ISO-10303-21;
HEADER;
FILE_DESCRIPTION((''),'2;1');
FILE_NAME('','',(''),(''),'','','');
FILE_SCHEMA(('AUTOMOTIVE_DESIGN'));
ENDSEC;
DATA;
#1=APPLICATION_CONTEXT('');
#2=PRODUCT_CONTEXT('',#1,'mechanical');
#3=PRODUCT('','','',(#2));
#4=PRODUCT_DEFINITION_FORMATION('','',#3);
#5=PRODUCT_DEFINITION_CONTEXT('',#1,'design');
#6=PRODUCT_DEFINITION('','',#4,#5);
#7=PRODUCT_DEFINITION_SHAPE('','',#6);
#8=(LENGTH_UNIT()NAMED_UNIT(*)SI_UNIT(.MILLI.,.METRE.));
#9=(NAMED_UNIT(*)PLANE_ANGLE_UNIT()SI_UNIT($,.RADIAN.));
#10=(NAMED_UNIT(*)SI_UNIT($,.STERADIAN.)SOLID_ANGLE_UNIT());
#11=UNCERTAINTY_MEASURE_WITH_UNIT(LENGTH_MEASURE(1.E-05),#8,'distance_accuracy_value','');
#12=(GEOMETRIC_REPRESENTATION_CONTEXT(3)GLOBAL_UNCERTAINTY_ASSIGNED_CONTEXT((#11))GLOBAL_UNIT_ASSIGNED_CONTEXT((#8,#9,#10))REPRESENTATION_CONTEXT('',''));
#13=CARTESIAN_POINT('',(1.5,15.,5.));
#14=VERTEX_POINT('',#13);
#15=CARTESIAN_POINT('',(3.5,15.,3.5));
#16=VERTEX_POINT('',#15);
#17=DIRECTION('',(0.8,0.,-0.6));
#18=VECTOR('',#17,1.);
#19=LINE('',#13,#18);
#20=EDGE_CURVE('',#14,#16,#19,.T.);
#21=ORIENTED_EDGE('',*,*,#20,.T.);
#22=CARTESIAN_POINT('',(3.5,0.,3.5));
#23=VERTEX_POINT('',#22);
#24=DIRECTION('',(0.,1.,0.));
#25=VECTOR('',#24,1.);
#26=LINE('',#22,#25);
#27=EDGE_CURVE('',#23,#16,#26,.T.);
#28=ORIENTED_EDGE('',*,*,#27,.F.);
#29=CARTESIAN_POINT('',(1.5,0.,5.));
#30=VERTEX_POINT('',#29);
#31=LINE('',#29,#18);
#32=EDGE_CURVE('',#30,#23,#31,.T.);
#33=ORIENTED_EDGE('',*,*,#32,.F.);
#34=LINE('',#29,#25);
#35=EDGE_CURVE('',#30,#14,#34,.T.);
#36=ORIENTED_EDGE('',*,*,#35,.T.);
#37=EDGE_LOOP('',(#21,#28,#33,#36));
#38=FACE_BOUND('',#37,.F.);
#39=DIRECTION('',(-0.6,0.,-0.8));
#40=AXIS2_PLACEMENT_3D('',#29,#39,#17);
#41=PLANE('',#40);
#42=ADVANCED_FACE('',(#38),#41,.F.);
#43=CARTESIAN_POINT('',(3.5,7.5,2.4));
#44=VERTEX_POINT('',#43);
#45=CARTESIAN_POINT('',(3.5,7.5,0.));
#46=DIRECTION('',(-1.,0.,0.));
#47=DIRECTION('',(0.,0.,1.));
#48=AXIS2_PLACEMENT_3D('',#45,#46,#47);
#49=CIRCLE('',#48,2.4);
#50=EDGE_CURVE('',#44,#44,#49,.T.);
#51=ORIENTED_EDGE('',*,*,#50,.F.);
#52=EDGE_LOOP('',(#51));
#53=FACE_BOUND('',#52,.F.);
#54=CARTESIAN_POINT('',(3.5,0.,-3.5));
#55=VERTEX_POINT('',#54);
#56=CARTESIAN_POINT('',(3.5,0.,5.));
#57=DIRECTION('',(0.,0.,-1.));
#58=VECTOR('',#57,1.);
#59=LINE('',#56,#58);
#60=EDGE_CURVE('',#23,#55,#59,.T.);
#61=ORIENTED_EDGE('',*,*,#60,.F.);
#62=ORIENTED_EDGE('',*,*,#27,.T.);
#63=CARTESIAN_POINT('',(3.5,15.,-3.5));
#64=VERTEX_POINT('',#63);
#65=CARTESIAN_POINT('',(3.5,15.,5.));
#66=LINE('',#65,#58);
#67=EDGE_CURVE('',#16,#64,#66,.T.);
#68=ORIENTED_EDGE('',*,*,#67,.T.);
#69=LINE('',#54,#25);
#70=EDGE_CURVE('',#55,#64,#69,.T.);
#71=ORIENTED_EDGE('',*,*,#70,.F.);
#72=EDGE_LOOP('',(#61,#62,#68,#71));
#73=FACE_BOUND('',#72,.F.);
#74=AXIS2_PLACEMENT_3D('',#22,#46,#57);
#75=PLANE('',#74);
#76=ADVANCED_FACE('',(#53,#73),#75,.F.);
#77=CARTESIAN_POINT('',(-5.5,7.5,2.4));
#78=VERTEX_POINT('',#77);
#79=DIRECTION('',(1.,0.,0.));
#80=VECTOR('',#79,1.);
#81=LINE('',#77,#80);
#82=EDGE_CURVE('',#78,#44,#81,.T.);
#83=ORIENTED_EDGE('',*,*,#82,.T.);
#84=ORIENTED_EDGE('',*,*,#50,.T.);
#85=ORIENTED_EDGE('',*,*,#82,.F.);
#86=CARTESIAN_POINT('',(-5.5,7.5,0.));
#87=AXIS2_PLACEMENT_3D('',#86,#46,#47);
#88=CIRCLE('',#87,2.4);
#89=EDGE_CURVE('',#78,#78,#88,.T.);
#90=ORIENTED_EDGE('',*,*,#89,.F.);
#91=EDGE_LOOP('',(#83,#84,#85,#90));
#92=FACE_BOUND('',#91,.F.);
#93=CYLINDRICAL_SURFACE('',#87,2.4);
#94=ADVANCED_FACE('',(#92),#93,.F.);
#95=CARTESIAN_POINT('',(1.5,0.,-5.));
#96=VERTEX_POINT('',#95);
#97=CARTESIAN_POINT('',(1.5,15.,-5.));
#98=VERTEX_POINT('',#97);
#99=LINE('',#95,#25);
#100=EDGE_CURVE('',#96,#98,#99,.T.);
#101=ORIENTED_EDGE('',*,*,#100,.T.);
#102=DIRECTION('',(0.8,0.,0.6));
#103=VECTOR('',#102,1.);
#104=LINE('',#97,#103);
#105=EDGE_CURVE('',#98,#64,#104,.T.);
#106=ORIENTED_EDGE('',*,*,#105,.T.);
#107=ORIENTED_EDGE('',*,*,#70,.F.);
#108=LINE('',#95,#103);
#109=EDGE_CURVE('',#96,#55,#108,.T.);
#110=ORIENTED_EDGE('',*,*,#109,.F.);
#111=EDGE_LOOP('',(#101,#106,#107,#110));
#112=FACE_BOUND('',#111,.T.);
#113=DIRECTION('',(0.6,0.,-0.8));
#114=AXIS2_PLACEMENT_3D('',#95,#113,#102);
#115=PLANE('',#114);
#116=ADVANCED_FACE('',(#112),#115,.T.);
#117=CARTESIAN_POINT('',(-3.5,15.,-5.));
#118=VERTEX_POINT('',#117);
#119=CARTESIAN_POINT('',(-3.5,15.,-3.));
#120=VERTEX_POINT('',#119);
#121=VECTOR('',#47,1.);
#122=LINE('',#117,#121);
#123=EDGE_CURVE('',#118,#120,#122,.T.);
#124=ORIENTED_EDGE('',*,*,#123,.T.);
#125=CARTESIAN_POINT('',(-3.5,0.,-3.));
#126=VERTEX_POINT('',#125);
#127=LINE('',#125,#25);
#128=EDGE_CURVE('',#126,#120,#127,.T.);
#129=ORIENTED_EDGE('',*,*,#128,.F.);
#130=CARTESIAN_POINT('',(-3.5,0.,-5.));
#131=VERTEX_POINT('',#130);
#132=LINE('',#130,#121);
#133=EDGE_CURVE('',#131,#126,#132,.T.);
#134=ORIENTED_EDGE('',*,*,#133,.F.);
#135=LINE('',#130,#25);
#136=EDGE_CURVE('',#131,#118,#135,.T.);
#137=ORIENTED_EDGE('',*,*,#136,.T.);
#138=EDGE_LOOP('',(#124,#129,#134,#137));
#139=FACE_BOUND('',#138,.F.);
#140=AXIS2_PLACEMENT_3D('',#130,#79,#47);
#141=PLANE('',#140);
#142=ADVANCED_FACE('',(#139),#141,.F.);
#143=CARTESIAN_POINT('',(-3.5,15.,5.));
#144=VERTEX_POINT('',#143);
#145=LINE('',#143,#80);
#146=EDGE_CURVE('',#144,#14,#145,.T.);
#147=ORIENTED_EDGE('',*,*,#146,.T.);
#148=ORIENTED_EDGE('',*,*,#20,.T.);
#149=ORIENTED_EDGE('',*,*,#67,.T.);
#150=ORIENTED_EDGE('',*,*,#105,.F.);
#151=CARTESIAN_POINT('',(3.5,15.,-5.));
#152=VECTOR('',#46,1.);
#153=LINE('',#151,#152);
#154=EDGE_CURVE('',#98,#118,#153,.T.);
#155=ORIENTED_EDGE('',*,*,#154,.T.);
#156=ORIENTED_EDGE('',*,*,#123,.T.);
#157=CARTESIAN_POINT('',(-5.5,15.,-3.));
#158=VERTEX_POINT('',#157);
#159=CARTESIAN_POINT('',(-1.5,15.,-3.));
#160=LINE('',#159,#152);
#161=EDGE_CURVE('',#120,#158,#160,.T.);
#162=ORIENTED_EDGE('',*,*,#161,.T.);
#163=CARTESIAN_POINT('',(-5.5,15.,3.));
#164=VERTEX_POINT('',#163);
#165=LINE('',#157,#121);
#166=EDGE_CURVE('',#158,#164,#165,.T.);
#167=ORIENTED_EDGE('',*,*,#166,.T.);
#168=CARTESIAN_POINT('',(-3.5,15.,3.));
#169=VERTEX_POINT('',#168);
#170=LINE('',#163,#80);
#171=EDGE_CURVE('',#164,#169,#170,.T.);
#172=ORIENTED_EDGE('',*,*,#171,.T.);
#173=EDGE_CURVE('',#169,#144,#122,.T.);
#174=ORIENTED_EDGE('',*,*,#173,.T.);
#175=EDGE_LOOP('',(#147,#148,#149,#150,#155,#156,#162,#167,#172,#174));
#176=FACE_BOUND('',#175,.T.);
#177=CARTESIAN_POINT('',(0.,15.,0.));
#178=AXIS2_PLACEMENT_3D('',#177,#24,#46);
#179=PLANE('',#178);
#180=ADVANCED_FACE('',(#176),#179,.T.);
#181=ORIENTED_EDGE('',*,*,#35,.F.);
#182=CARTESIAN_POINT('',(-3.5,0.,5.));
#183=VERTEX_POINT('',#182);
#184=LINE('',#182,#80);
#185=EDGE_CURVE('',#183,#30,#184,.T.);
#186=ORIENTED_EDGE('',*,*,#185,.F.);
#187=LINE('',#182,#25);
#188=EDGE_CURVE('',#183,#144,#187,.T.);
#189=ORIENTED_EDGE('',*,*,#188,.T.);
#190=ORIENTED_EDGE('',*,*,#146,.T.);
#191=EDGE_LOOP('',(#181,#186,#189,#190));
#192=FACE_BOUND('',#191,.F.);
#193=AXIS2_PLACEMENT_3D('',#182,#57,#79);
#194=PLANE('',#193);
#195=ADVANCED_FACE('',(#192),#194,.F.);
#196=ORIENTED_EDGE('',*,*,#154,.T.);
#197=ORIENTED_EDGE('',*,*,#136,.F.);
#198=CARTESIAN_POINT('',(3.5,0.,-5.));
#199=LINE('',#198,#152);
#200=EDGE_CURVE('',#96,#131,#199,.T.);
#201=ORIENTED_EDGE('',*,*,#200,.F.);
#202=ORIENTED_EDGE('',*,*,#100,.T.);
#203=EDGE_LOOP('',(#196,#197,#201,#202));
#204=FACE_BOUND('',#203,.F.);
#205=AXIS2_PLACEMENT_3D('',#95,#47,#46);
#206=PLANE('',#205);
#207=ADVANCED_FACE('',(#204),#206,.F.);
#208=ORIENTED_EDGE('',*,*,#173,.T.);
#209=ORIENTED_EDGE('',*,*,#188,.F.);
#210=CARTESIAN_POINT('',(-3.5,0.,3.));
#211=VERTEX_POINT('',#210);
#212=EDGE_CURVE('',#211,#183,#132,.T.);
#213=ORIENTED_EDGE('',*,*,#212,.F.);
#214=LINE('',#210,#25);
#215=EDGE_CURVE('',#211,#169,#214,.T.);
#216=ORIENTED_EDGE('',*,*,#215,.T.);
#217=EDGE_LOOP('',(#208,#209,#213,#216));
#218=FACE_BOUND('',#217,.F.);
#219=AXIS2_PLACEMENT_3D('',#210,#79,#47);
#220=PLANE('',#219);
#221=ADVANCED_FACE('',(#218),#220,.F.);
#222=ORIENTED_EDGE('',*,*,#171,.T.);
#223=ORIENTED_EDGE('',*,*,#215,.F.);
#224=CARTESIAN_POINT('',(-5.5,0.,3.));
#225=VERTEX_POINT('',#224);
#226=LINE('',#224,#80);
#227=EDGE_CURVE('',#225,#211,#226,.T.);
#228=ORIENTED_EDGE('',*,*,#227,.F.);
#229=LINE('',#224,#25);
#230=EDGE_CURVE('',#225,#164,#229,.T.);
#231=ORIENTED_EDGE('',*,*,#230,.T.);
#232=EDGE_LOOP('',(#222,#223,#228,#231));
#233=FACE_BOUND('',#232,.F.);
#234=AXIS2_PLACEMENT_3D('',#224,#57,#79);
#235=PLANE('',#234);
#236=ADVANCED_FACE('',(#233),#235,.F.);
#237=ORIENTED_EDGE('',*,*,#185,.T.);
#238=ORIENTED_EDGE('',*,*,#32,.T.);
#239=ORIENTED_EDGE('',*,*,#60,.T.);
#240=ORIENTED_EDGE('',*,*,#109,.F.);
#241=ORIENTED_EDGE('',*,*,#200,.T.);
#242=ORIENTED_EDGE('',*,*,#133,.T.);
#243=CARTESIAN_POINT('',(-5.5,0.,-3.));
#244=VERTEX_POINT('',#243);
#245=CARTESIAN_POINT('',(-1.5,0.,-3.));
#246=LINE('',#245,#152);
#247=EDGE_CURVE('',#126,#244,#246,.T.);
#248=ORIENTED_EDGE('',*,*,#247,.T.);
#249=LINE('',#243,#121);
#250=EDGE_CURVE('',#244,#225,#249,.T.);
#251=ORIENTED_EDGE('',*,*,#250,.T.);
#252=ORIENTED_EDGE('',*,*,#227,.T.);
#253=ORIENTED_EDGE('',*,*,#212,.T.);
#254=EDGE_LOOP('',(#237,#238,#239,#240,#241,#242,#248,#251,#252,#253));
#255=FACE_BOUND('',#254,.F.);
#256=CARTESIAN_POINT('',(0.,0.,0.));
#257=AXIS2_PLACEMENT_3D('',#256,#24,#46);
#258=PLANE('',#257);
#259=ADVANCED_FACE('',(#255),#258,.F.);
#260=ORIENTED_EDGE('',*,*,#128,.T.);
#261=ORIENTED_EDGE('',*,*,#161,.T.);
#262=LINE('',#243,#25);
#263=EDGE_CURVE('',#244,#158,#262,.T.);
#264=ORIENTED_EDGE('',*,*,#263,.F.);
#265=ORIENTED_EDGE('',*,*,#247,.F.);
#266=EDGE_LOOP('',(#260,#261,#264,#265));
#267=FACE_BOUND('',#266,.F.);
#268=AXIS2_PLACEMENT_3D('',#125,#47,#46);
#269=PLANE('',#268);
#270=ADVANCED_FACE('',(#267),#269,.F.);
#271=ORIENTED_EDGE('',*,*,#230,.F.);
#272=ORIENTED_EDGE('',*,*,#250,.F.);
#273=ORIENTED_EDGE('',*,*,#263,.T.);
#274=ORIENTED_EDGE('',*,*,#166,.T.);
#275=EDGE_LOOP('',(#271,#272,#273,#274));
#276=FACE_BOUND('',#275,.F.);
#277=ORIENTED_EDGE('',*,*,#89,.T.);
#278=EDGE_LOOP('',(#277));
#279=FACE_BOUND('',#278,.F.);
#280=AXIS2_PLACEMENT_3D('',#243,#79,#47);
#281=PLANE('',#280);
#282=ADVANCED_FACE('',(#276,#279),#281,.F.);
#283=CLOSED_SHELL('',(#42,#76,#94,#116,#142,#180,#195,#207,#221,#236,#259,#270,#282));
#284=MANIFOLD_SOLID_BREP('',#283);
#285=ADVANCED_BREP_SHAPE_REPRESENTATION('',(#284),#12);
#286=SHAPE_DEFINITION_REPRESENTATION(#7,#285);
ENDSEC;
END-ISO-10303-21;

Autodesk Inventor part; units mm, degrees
ref_plane "YZ Plane" through (0, 0, 0) normal (1, 0, 0) x (0, 1, 0)
ref_plane "XZ Plane" through (0, 0, 0) normal (0, 1, 0) x (-1, 0, 0)
ref_plane "XY Plane" through (0, 0, 0) normal (0, 0, 1) x (1, 0, 0)
sketch "Sketch1" plane through (0, 0, 0) normal (0, 1, 0) x (-1, 0, 0)
  line L0 (3.5, 5) -> (-3.5, 5)
  line L1 (-3.5, 5) -> (-3.5, -5)
  line L2 (-3.5, -5) -> (3.5, -5)
  line L3 (3.5, -5) -> (3.5, 5)
  line L4 (3.5, 5) -> (-3.5, -5) construction
  line L5 (-3.5, 5) -> (3.5, -5) construction
  line L6 (-1.5, 5) -> (-3.5, 3.5)
  line L7 (-1.5, -5) -> (-3.5, -3.5)
  line L8 (5.5, 3) -> (1.5, 3)
  line L9 (1.5, 3) -> (1.5, -3)
  line L10 (1.5, -3) -> (5.5, -3)
  line L11 (5.5, -3) -> (5.5, 3)
  line L12 (5.5, 3) -> (1.5, -3) construction
  line L13 (1.5, 3) -> (5.5, -3) construction
  point P0 (0, 0)
  point P1 (-3.5, 0)
  point P2 (3.5, 0)
  point P3 (3.5, 3)
  point P4 (3.5, -3)
  dimension "d0" = 7
  dimension "d1" = 10
  dimension "d2" = 5
  dimension "d3" = 5
  dimension "d4" = 3.5
  dimension "d5" = 3.5
  dimension "d6" = 4
  dimension "d7" = 6
extrude "Extrusion1" add sketch "Sketch1" along normal blind 15 contours L3 L8 L9 L10 L2 L7 L1 L6 L0 | L8 L11 L10 L3 | L3 L10 L9 L8
sketch "Sketch2" plane through (-5.5, 0, -3) normal (-1, 0, 0) x (0, 0, 1)
  circle A0 centre (3, 7.5) radius 2.4
  line L0 (0, 0) -> (6, 0) projected
  line L1 (0, 0) -> (0, 15) projected
  point P0 (3, 0)
  dimension "d10" = 4.8
  dimension "d11" = 7.5
  dimension "d12" = 3
extrude "Extrusion2" cut sketch "Sketch2" against normal through all
thread "Thread1" size "M5x0.8" class "6H" standard "ISO Metric profile" full length
properties part number "drazka"
